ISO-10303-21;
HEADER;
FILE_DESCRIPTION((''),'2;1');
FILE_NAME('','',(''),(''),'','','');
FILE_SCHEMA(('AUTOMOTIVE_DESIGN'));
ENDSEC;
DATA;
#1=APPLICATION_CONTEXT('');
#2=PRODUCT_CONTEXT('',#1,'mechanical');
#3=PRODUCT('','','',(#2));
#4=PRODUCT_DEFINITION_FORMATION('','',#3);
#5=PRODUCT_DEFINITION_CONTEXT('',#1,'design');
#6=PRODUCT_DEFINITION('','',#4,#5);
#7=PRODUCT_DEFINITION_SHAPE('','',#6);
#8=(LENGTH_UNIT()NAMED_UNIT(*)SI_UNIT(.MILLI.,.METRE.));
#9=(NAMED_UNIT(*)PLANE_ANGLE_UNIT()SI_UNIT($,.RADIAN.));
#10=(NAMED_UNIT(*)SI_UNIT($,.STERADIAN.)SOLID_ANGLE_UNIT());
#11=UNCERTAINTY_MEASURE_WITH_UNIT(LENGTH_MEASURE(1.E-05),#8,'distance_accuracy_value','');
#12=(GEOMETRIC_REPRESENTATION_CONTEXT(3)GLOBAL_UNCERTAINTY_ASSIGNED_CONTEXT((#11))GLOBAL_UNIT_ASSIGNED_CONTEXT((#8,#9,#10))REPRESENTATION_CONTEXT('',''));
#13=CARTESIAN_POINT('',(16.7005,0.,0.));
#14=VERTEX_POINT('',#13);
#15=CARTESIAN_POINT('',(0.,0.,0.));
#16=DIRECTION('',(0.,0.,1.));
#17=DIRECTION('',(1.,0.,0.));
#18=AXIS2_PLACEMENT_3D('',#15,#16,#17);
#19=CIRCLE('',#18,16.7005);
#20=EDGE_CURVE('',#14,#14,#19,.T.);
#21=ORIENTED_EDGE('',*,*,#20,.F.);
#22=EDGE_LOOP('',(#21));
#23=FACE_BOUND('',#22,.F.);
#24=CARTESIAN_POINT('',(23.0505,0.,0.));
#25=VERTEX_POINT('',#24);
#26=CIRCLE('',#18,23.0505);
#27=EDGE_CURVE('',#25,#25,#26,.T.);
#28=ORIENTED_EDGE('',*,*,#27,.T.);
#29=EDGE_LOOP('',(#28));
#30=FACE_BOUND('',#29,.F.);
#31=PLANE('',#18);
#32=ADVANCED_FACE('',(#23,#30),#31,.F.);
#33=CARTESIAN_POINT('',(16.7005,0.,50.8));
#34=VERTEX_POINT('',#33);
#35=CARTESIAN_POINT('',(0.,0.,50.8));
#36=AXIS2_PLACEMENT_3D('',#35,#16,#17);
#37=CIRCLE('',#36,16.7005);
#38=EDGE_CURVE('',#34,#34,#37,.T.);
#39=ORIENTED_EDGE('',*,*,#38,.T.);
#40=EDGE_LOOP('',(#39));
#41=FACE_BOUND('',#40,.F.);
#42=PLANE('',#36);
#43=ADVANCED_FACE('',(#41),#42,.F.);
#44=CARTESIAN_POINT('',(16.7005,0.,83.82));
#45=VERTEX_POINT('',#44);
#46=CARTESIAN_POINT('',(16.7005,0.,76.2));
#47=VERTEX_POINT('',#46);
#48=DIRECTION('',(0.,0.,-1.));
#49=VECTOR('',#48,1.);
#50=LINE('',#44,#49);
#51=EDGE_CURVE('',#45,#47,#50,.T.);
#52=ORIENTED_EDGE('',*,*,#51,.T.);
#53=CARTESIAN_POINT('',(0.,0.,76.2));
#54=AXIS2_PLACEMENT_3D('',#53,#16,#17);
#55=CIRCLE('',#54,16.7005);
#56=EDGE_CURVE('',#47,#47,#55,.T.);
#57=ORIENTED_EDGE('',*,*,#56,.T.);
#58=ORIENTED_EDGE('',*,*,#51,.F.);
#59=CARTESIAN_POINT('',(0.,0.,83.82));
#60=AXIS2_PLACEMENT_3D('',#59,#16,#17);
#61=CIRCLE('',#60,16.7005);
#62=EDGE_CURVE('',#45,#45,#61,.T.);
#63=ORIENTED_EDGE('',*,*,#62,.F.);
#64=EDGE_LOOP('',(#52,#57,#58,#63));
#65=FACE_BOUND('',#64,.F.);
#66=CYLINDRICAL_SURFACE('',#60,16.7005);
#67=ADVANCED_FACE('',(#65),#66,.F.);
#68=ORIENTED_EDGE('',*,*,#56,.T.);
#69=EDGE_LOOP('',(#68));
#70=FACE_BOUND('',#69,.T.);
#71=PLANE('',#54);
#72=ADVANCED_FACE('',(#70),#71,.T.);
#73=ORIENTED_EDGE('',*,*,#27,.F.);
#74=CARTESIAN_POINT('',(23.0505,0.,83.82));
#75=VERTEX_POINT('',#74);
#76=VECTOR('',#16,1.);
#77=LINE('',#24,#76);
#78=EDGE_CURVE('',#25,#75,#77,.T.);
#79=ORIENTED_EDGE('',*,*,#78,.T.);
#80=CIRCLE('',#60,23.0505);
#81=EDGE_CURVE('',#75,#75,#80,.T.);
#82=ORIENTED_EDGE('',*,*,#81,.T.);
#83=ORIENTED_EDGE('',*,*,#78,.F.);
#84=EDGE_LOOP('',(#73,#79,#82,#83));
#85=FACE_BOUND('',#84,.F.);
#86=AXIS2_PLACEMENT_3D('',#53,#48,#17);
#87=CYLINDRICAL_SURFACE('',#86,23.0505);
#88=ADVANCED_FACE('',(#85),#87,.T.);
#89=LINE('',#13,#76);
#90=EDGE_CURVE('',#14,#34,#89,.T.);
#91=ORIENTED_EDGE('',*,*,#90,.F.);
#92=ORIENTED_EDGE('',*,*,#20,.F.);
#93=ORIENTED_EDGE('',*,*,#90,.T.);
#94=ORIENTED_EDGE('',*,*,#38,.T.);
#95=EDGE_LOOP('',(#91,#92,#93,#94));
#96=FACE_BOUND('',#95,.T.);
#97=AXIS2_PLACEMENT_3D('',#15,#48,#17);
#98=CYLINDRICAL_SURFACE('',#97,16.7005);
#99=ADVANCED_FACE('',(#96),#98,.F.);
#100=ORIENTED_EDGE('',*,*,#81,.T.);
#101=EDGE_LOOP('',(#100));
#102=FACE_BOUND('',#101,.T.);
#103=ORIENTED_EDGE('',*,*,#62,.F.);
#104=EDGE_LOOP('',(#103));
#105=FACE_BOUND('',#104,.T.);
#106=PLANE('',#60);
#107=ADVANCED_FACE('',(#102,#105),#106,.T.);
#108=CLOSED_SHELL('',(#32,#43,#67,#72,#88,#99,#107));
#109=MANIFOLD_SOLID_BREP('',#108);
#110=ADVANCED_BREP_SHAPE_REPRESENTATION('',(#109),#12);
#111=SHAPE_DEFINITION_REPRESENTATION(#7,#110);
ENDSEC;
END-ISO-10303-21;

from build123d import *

# Parameters (mm, degrees)
F0_R      = 23.0505
F0_R_2    = 16.7005
F1_DEPTH  = 50.8
F2_R      = 23.0505
F3_DEPTH  = 25.4
F3_FACE_R = 23.0505
F4_DEPTH  = 7.62
F5_R      = 16.7005
F6_DEPTH  = 7.62


with BuildPart() as f1:
    # F0 (on Top) → F1 (new body)
    with BuildSketch(Plane.XY):
        Circle(F0_R)
        Circle(F0_R_2, mode=Mode.SUBTRACT)
    extrude(amount=F1_DEPTH)

    # F2 (on face) → F3 (join)
    with BuildSketch(Plane.XY.offset(50.8)):
        Circle(F2_R)
    extrude(amount=F3_DEPTH)

    # F3_face (on face) → F4 (join)
    with BuildSketch(Plane.XY.offset(76.2)):
        Circle(F3_FACE_R)
    extrude(amount=F4_DEPTH)

    # F5 (on face) → F6 (cut)
    with BuildSketch(Plane.XY.offset(83.82)):
        Circle(F5_R)
    extrude(amount=-F6_DEPTH, mode=Mode.SUBTRACT)


solid = f1.part
